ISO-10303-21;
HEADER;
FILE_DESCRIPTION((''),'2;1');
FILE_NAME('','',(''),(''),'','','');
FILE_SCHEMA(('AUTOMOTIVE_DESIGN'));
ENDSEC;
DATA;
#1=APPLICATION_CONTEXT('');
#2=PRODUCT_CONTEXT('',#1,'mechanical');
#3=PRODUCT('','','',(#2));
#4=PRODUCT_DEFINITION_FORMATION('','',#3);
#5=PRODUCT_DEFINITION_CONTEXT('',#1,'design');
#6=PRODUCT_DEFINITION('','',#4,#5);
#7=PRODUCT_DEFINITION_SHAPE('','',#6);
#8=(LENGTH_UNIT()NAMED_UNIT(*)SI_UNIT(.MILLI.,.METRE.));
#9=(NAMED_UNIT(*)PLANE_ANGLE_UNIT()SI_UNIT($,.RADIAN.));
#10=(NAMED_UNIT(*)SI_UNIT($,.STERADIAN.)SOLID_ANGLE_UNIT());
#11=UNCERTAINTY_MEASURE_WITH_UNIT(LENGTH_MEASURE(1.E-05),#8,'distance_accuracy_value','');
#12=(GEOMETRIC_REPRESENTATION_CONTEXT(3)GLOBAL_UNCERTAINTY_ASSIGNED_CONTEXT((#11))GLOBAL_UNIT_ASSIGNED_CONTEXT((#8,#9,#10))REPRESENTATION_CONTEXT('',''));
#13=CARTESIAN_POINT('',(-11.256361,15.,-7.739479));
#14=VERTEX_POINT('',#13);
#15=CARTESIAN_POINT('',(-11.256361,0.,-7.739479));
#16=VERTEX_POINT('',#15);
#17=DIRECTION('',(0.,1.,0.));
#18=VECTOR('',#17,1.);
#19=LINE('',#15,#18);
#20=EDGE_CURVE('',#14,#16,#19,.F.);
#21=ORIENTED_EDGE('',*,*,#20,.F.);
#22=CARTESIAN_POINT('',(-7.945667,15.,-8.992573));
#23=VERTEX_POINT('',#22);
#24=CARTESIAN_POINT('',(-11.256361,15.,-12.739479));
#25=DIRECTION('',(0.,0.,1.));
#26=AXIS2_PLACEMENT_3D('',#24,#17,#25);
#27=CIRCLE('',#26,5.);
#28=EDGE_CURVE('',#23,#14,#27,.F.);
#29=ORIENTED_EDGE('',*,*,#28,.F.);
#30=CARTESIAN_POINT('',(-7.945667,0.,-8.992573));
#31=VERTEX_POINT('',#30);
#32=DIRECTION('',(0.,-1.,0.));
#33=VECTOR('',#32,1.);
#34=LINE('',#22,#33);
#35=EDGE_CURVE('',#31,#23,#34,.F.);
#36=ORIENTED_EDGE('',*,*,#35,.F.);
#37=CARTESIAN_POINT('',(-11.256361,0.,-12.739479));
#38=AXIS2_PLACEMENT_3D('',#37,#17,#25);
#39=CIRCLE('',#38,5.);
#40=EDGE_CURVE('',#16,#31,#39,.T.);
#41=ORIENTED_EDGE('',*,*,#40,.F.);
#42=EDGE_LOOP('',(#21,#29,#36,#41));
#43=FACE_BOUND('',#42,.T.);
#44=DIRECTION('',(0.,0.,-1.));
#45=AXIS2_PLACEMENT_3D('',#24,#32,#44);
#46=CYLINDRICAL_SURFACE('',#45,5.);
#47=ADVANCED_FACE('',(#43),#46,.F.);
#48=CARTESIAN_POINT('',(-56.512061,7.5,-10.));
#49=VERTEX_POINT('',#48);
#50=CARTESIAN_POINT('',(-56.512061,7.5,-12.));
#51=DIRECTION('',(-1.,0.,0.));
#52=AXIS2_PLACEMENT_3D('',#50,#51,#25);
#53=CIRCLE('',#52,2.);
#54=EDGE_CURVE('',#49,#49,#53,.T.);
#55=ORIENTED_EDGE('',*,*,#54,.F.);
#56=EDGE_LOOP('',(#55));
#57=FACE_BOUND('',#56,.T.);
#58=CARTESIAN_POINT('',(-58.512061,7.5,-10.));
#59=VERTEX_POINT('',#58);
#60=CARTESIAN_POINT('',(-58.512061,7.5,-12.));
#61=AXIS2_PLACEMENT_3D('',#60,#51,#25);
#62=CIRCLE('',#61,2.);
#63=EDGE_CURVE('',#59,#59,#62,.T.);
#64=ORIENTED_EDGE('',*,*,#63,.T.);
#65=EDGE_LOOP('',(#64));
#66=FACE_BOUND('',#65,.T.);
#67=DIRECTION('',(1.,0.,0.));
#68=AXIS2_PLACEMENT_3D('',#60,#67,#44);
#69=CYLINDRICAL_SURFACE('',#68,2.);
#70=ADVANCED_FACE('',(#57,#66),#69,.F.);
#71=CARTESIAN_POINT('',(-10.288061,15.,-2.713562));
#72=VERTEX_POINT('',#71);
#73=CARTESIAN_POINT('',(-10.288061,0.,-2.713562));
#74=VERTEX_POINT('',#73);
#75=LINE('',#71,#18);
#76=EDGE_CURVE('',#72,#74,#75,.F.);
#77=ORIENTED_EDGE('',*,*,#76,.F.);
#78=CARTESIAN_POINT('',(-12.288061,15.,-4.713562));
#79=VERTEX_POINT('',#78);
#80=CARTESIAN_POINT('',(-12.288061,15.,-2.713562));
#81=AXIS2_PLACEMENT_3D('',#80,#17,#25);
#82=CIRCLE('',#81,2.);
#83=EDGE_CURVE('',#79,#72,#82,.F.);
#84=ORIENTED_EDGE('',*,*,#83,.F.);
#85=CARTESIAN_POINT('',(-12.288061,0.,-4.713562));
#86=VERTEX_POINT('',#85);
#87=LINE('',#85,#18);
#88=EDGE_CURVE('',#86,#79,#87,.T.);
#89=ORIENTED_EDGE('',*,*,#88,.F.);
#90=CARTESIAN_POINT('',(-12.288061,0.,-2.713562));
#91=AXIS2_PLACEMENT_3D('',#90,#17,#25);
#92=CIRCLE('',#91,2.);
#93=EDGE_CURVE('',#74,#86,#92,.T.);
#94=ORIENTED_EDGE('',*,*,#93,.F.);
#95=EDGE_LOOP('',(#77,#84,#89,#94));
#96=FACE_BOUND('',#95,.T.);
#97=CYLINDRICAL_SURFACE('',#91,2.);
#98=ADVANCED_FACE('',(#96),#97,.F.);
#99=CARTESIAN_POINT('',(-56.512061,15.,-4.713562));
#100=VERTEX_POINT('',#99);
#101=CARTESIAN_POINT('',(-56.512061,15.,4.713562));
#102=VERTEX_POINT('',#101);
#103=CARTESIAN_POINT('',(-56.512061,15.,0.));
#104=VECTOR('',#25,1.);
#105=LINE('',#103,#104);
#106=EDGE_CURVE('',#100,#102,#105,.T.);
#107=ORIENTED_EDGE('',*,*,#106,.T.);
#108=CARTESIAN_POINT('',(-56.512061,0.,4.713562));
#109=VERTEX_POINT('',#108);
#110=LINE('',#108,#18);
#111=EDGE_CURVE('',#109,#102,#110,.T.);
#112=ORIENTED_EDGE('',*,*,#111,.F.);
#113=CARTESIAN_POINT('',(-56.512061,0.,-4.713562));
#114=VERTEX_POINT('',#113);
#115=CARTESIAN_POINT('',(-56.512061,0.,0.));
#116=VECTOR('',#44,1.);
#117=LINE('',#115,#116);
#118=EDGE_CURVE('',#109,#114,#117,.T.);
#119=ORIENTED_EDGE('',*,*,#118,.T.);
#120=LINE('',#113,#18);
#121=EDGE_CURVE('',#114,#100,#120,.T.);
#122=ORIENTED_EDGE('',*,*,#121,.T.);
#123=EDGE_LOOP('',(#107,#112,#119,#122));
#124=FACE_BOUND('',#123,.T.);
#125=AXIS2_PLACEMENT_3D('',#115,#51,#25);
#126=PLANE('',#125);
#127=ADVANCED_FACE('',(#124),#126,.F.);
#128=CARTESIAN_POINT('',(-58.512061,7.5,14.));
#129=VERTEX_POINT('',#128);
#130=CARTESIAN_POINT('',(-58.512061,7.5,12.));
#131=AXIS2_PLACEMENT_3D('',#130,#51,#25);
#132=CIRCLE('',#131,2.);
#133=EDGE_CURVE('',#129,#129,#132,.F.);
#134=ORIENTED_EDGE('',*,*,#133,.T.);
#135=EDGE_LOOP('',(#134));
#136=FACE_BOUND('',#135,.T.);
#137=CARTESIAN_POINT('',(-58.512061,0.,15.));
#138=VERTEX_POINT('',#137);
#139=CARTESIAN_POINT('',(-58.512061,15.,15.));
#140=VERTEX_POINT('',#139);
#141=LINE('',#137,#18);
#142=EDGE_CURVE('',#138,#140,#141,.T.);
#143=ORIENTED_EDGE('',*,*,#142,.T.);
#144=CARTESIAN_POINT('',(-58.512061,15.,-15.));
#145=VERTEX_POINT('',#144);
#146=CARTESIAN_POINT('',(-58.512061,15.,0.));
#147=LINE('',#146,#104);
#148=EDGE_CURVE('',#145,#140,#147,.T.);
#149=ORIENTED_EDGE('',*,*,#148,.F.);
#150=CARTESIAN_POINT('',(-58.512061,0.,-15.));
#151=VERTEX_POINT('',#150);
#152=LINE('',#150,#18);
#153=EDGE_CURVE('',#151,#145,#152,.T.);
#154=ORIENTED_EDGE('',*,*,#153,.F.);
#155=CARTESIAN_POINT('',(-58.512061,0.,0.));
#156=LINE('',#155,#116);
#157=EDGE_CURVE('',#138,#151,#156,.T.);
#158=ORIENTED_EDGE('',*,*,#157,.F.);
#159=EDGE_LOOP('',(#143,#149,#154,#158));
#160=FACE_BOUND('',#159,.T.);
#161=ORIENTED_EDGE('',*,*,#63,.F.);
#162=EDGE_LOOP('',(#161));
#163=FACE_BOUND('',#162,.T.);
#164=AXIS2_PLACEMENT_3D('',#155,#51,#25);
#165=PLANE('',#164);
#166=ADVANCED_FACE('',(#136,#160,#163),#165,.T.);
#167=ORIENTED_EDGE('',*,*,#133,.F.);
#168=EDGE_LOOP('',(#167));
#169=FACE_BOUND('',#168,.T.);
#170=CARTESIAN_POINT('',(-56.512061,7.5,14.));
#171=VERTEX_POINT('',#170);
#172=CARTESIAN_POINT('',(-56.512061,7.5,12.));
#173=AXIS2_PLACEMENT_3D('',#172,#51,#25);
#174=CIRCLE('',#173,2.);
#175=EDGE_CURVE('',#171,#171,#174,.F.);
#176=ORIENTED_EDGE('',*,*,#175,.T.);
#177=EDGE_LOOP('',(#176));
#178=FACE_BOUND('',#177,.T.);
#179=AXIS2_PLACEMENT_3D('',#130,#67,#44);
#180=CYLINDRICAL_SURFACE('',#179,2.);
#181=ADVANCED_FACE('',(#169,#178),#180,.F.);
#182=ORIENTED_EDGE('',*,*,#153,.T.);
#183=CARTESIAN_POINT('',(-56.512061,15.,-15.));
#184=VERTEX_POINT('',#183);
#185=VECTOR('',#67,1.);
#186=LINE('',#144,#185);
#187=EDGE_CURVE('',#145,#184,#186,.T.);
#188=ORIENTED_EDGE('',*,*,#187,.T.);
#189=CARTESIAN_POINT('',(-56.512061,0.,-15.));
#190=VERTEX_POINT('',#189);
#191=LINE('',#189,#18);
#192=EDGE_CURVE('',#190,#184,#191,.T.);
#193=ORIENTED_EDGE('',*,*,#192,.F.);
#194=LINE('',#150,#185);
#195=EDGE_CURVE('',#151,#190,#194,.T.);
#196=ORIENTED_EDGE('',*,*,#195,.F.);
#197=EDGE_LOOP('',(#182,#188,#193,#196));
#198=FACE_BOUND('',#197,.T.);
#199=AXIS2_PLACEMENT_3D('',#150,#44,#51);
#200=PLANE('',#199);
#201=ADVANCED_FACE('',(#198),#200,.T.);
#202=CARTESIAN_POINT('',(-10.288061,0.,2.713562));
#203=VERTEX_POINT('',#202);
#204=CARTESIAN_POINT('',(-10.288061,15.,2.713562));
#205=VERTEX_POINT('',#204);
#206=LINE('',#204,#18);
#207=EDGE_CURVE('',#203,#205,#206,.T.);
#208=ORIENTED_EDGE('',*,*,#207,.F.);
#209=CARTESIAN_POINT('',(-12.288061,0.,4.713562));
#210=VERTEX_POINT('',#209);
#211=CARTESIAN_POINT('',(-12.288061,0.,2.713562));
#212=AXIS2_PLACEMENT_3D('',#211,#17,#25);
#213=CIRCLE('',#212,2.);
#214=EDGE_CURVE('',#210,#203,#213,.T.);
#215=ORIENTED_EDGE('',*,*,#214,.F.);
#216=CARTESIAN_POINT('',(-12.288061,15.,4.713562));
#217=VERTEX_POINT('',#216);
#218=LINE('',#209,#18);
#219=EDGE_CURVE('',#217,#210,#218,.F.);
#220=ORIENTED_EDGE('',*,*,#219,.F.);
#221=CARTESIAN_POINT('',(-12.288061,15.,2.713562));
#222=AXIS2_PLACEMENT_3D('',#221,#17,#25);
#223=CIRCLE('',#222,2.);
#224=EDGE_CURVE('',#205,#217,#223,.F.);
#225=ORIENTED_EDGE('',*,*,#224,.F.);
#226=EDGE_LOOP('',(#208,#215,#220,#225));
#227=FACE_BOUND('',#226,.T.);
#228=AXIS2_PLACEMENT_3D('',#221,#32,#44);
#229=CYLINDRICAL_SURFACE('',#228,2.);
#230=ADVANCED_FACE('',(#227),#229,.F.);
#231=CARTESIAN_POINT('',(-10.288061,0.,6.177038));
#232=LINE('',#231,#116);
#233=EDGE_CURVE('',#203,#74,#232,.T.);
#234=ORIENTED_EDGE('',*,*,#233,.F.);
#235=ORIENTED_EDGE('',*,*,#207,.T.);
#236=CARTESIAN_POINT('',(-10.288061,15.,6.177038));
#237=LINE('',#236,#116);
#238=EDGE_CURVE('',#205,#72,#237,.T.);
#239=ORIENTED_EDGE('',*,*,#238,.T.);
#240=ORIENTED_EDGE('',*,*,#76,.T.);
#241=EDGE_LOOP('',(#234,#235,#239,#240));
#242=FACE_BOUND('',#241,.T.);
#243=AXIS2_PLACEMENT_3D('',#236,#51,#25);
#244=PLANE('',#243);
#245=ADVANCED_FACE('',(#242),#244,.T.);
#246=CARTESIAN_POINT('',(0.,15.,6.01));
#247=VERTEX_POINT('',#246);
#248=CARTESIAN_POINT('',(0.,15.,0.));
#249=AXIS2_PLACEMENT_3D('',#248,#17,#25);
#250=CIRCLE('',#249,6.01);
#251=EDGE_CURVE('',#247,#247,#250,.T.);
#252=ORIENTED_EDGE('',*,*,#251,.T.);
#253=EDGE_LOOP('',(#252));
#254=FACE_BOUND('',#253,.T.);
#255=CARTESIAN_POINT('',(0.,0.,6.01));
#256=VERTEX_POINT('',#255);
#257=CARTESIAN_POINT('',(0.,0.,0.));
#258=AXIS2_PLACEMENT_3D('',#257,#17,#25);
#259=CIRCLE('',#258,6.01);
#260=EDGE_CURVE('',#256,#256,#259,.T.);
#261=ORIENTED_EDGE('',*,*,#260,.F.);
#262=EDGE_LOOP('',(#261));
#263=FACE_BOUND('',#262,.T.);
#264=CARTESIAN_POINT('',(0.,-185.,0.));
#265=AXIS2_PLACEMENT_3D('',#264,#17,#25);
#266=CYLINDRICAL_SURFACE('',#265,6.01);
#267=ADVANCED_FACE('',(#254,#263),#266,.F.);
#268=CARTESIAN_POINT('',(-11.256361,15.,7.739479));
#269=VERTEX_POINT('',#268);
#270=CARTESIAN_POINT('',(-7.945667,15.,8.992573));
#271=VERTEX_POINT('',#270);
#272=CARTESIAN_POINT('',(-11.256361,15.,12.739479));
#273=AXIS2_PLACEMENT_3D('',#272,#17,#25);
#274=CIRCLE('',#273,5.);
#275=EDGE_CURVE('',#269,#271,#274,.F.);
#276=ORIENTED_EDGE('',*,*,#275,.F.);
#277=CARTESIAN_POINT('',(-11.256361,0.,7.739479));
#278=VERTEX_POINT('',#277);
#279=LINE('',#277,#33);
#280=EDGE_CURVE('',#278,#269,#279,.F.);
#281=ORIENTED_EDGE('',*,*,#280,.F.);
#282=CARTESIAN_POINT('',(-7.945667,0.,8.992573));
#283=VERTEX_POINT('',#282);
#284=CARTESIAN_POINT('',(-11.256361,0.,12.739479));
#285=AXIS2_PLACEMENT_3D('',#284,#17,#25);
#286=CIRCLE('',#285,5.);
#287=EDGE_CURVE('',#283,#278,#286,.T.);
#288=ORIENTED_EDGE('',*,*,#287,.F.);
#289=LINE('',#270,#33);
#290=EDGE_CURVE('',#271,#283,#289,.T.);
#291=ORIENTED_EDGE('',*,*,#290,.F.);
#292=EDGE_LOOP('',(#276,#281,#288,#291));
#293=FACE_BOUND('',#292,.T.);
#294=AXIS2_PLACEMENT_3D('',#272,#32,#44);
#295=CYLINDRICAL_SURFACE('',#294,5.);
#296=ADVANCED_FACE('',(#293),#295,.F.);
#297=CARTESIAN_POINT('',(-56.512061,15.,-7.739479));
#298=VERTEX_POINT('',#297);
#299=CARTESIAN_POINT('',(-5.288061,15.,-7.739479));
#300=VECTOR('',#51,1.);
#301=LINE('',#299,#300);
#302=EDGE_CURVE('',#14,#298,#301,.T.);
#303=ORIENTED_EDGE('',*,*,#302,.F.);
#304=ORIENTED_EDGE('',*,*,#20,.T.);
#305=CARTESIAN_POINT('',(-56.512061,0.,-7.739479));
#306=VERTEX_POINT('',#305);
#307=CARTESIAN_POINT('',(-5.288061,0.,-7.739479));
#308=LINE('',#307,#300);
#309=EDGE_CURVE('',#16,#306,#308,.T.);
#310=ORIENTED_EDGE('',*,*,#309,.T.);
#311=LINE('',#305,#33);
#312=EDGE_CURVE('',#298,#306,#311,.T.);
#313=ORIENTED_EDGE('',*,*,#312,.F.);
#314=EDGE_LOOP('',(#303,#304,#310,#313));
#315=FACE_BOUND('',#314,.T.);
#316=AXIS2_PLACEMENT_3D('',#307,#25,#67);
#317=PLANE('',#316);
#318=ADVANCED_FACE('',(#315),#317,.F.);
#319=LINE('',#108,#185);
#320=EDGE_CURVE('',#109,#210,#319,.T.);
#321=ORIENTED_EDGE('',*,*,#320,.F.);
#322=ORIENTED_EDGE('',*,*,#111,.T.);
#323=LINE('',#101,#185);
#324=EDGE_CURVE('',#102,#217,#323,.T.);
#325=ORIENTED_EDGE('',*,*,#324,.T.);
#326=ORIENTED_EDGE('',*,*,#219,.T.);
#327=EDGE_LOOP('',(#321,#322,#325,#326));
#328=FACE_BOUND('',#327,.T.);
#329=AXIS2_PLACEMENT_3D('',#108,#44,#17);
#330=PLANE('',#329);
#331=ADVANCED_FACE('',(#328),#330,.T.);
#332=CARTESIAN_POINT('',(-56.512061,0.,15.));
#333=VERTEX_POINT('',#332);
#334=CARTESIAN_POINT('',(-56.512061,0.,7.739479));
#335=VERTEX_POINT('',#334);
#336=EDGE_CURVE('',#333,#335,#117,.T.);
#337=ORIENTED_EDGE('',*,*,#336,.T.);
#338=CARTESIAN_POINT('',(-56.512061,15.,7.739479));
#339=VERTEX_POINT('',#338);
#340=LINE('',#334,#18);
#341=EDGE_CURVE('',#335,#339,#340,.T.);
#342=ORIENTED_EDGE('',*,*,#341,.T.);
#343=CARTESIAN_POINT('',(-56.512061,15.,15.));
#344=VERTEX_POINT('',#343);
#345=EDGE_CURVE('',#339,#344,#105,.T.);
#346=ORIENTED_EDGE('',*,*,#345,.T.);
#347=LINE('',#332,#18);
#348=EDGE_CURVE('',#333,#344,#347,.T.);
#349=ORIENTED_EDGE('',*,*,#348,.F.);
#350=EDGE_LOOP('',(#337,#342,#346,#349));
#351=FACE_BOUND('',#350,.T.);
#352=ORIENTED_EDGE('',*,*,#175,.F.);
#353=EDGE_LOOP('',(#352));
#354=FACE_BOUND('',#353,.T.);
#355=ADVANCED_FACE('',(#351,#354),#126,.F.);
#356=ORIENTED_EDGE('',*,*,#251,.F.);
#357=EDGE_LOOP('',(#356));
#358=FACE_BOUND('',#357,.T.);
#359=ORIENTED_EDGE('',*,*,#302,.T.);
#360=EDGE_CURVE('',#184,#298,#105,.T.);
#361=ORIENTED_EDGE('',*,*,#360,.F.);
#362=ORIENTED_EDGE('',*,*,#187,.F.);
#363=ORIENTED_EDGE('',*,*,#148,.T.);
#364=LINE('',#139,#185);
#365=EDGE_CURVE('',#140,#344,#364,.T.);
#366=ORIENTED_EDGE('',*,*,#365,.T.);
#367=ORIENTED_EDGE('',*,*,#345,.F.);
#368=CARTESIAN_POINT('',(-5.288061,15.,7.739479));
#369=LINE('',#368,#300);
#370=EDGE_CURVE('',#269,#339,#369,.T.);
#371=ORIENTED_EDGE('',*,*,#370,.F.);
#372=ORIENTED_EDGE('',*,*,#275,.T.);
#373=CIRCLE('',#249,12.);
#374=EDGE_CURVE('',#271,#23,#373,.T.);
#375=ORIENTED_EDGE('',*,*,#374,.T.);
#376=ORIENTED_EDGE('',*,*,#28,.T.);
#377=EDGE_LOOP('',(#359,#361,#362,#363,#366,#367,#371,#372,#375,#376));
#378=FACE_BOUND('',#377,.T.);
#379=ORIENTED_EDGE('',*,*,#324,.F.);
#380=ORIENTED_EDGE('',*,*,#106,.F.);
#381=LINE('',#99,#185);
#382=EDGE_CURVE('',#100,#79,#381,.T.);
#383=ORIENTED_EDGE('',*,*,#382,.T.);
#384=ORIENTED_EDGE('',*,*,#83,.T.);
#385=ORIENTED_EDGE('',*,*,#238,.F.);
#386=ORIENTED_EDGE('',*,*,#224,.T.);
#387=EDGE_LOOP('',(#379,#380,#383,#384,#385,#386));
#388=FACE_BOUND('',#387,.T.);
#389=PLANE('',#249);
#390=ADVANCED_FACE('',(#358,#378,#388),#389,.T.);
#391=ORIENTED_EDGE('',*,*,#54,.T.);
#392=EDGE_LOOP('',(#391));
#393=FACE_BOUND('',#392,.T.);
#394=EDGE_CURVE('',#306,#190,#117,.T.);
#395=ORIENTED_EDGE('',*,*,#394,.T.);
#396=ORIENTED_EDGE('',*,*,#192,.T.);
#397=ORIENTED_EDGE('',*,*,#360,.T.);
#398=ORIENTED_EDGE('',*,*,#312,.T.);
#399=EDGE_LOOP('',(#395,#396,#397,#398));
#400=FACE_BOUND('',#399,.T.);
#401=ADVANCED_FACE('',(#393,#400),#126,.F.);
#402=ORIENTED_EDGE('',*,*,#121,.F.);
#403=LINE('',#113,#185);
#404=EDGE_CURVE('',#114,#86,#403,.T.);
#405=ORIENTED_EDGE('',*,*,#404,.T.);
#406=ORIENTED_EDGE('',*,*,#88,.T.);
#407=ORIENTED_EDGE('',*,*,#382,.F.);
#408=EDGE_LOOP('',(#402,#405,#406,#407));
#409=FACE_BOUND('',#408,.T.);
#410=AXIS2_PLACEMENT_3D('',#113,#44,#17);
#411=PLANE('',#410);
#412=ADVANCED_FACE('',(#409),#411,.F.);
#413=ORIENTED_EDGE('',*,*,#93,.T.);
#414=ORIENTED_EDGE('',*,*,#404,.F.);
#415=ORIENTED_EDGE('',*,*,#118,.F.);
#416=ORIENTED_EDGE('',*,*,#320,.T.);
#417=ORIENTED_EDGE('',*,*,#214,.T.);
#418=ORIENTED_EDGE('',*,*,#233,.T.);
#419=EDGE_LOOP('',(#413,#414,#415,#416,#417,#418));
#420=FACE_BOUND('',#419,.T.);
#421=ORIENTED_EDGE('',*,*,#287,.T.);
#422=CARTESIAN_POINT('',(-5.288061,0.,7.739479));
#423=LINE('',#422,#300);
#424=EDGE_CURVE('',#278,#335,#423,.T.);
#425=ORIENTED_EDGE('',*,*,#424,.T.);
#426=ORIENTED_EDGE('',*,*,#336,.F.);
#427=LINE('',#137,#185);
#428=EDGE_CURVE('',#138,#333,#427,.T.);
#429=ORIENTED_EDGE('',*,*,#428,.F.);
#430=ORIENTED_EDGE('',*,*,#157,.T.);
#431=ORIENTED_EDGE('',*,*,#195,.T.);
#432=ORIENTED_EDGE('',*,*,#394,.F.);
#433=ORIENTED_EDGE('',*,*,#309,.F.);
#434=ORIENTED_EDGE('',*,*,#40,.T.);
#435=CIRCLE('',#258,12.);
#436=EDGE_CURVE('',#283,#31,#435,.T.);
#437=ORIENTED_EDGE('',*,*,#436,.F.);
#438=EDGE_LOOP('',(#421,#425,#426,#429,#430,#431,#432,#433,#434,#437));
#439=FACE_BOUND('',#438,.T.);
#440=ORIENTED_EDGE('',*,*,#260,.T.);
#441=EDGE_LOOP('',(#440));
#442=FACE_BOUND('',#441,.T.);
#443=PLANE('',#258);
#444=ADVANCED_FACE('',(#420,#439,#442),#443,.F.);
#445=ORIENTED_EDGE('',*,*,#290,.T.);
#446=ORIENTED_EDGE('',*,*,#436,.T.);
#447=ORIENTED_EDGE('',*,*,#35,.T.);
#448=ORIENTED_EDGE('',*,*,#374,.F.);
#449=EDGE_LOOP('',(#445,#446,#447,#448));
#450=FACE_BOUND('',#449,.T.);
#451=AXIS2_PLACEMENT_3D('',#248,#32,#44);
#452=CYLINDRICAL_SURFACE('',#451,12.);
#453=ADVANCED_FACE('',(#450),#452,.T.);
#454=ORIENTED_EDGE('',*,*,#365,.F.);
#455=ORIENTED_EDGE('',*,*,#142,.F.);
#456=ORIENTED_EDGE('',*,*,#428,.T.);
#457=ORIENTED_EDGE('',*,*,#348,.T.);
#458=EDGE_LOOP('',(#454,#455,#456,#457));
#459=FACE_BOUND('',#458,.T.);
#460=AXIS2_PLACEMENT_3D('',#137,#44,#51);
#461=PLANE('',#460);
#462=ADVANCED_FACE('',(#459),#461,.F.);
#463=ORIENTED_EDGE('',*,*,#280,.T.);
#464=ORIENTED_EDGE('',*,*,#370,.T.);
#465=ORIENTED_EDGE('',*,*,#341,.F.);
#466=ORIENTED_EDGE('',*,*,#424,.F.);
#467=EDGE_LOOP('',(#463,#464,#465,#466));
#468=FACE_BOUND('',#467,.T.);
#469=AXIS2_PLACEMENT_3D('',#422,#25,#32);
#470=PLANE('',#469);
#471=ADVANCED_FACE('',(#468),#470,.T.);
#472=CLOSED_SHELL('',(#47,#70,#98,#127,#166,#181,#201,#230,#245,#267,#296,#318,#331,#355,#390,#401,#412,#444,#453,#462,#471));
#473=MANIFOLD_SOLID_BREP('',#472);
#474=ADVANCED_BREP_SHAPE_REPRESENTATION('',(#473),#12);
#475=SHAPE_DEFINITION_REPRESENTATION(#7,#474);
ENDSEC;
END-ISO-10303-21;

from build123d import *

# Parameters (mm, degrees)
EXTRUDE_1_DEPTH     = 15
SKETCH_4_W          = 1.562441002
SKETCH_4_H          = 15
SKETCH_4_W_2        = 6.177038061
EXTRUDE_3_DEPTH     = 5
SKETCH_2_R          = 6.01
CUT_EXTRUDE_2_DEPTH = 200
SKETCH_7_W          = 3.025917145
SKETCH_7_H          = 15
EXTRUDE_4_DEPTH     = 46.224
FILLET_1_R          = 2
FILLET_2_R          = 5
SKETCH_8_W          = 7.260520937
SKETCH_8_H          = 15
SKETCH_8_R          = 2
SKETCH_8_W_2        = 19.713561918
SKETCH_8_W_3        = 3.025917145
EXTRUDE_5_DEPTH     = 2


with BuildPart() as part:
    # 草图1 → 凸台-拉伸1 (new body)
    with BuildSketch(Plane(origin=(0, 0, 0), x_dir=(1, 0, 0), z_dir=(0, 1, 0))):
        with BuildLine():
            Line((-10.28806108, -6.177038061), (-10.28806108, 6.177038061))
            ThreePointArc((-10.28806108, 6.177038061), (12, 0), (-10.28806108, -6.177038061))
        make_face()
    extrude(amount=EXTRUDE_1_DEPTH)

    # 草图4 → 凸台-拉伸3 (add)
    with BuildSketch(Plane.ZY.offset(10.28806108)):
        with Locations((6.958258562, 7.5)):
            Rectangle(SKETCH_4_W, SKETCH_4_H)
        with Locations((-6.958258562, 7.5)):
            Rectangle(SKETCH_4_W, SKETCH_4_H)
        with Locations((-3.088519031, 7.5)):
            Rectangle(SKETCH_4_W_2, SKETCH_4_H)
        with Locations((3.088519031, 7.5)):
            Rectangle(SKETCH_4_W_2, SKETCH_4_H)
    extrude(amount=-EXTRUDE_3_DEPTH)

    # 草图2 → 切除-拉伸2 (cut)
    with BuildSketch(Plane(origin=(0, 15, 0), x_dir=(1, 0, 0), z_dir=(0, 1, 0))):
        with Locations(Location((0, 0, 0), (0, 0, 270))):
            Circle(SKETCH_2_R)
    extrude(amount=-CUT_EXTRUDE_2_DEPTH, mode=Mode.SUBTRACT)

    # 草图7 → 凸台-拉伸4 (add)
    with BuildSketch(Plane.ZY.offset(10.28806108)):
        with Locations((6.226520491, 7.5)):
            Rectangle(SKETCH_7_W, SKETCH_7_H)
        with Locations((-6.226520491, 7.5)):
            Rectangle(SKETCH_7_W, SKETCH_7_H)
    extrude(amount=EXTRUDE_4_DEPTH)

    # 圆角1
    fillet_1_edges = [part.edges().sort_by_distance(p)[0] for p in [
        (-10.28806108, 7.5, 4.713561918),
        (-10.28806108, 7.5, -4.713561918),
    ]]
    fillet(fillet_1_edges, radius=FILLET_1_R)

    # 圆角2
    fillet_2_edges = [part.edges().sort_by_distance(p)[0] for p in [
        (-9.170630504, 7.5, -7.739479063),
        (-9.170630504, 7.5, 7.739479063),
    ]]
    fillet(fillet_2_edges, radius=FILLET_2_R)

    # 草图8 → 凸台-拉伸5 (add)
    # profile 1 of 3: a face of its own
    with BuildSketch(Plane.ZY.offset(56.51206108)):
        with Locations((11.369739532, 7.5)):
            Rectangle(SKETCH_8_W, SKETCH_8_H)
        with Locations((12, 7.5)):
            Circle(SKETCH_8_R, mode=Mode.SUBTRACT)
    # profile 2 of 3: a face of its own
    with BuildSketch(Plane.ZY.offset(56.51206108)):
        with Locations((-5.143219041, 7.5)):
            Rectangle(SKETCH_8_W_2, SKETCH_8_H)
        with Locations((-12, 7.5)):
            Circle(SKETCH_8_R, mode=Mode.SUBTRACT)
    # profile 3 of 3: a face of its own
    with BuildSketch(Plane.ZY.offset(56.51206108)):
        with Locations((6.226520491, 7.5)):
            Rectangle(SKETCH_8_W_3, SKETCH_8_H)
    extrude(amount=EXTRUDE_5_DEPTH)


solid = part.part
